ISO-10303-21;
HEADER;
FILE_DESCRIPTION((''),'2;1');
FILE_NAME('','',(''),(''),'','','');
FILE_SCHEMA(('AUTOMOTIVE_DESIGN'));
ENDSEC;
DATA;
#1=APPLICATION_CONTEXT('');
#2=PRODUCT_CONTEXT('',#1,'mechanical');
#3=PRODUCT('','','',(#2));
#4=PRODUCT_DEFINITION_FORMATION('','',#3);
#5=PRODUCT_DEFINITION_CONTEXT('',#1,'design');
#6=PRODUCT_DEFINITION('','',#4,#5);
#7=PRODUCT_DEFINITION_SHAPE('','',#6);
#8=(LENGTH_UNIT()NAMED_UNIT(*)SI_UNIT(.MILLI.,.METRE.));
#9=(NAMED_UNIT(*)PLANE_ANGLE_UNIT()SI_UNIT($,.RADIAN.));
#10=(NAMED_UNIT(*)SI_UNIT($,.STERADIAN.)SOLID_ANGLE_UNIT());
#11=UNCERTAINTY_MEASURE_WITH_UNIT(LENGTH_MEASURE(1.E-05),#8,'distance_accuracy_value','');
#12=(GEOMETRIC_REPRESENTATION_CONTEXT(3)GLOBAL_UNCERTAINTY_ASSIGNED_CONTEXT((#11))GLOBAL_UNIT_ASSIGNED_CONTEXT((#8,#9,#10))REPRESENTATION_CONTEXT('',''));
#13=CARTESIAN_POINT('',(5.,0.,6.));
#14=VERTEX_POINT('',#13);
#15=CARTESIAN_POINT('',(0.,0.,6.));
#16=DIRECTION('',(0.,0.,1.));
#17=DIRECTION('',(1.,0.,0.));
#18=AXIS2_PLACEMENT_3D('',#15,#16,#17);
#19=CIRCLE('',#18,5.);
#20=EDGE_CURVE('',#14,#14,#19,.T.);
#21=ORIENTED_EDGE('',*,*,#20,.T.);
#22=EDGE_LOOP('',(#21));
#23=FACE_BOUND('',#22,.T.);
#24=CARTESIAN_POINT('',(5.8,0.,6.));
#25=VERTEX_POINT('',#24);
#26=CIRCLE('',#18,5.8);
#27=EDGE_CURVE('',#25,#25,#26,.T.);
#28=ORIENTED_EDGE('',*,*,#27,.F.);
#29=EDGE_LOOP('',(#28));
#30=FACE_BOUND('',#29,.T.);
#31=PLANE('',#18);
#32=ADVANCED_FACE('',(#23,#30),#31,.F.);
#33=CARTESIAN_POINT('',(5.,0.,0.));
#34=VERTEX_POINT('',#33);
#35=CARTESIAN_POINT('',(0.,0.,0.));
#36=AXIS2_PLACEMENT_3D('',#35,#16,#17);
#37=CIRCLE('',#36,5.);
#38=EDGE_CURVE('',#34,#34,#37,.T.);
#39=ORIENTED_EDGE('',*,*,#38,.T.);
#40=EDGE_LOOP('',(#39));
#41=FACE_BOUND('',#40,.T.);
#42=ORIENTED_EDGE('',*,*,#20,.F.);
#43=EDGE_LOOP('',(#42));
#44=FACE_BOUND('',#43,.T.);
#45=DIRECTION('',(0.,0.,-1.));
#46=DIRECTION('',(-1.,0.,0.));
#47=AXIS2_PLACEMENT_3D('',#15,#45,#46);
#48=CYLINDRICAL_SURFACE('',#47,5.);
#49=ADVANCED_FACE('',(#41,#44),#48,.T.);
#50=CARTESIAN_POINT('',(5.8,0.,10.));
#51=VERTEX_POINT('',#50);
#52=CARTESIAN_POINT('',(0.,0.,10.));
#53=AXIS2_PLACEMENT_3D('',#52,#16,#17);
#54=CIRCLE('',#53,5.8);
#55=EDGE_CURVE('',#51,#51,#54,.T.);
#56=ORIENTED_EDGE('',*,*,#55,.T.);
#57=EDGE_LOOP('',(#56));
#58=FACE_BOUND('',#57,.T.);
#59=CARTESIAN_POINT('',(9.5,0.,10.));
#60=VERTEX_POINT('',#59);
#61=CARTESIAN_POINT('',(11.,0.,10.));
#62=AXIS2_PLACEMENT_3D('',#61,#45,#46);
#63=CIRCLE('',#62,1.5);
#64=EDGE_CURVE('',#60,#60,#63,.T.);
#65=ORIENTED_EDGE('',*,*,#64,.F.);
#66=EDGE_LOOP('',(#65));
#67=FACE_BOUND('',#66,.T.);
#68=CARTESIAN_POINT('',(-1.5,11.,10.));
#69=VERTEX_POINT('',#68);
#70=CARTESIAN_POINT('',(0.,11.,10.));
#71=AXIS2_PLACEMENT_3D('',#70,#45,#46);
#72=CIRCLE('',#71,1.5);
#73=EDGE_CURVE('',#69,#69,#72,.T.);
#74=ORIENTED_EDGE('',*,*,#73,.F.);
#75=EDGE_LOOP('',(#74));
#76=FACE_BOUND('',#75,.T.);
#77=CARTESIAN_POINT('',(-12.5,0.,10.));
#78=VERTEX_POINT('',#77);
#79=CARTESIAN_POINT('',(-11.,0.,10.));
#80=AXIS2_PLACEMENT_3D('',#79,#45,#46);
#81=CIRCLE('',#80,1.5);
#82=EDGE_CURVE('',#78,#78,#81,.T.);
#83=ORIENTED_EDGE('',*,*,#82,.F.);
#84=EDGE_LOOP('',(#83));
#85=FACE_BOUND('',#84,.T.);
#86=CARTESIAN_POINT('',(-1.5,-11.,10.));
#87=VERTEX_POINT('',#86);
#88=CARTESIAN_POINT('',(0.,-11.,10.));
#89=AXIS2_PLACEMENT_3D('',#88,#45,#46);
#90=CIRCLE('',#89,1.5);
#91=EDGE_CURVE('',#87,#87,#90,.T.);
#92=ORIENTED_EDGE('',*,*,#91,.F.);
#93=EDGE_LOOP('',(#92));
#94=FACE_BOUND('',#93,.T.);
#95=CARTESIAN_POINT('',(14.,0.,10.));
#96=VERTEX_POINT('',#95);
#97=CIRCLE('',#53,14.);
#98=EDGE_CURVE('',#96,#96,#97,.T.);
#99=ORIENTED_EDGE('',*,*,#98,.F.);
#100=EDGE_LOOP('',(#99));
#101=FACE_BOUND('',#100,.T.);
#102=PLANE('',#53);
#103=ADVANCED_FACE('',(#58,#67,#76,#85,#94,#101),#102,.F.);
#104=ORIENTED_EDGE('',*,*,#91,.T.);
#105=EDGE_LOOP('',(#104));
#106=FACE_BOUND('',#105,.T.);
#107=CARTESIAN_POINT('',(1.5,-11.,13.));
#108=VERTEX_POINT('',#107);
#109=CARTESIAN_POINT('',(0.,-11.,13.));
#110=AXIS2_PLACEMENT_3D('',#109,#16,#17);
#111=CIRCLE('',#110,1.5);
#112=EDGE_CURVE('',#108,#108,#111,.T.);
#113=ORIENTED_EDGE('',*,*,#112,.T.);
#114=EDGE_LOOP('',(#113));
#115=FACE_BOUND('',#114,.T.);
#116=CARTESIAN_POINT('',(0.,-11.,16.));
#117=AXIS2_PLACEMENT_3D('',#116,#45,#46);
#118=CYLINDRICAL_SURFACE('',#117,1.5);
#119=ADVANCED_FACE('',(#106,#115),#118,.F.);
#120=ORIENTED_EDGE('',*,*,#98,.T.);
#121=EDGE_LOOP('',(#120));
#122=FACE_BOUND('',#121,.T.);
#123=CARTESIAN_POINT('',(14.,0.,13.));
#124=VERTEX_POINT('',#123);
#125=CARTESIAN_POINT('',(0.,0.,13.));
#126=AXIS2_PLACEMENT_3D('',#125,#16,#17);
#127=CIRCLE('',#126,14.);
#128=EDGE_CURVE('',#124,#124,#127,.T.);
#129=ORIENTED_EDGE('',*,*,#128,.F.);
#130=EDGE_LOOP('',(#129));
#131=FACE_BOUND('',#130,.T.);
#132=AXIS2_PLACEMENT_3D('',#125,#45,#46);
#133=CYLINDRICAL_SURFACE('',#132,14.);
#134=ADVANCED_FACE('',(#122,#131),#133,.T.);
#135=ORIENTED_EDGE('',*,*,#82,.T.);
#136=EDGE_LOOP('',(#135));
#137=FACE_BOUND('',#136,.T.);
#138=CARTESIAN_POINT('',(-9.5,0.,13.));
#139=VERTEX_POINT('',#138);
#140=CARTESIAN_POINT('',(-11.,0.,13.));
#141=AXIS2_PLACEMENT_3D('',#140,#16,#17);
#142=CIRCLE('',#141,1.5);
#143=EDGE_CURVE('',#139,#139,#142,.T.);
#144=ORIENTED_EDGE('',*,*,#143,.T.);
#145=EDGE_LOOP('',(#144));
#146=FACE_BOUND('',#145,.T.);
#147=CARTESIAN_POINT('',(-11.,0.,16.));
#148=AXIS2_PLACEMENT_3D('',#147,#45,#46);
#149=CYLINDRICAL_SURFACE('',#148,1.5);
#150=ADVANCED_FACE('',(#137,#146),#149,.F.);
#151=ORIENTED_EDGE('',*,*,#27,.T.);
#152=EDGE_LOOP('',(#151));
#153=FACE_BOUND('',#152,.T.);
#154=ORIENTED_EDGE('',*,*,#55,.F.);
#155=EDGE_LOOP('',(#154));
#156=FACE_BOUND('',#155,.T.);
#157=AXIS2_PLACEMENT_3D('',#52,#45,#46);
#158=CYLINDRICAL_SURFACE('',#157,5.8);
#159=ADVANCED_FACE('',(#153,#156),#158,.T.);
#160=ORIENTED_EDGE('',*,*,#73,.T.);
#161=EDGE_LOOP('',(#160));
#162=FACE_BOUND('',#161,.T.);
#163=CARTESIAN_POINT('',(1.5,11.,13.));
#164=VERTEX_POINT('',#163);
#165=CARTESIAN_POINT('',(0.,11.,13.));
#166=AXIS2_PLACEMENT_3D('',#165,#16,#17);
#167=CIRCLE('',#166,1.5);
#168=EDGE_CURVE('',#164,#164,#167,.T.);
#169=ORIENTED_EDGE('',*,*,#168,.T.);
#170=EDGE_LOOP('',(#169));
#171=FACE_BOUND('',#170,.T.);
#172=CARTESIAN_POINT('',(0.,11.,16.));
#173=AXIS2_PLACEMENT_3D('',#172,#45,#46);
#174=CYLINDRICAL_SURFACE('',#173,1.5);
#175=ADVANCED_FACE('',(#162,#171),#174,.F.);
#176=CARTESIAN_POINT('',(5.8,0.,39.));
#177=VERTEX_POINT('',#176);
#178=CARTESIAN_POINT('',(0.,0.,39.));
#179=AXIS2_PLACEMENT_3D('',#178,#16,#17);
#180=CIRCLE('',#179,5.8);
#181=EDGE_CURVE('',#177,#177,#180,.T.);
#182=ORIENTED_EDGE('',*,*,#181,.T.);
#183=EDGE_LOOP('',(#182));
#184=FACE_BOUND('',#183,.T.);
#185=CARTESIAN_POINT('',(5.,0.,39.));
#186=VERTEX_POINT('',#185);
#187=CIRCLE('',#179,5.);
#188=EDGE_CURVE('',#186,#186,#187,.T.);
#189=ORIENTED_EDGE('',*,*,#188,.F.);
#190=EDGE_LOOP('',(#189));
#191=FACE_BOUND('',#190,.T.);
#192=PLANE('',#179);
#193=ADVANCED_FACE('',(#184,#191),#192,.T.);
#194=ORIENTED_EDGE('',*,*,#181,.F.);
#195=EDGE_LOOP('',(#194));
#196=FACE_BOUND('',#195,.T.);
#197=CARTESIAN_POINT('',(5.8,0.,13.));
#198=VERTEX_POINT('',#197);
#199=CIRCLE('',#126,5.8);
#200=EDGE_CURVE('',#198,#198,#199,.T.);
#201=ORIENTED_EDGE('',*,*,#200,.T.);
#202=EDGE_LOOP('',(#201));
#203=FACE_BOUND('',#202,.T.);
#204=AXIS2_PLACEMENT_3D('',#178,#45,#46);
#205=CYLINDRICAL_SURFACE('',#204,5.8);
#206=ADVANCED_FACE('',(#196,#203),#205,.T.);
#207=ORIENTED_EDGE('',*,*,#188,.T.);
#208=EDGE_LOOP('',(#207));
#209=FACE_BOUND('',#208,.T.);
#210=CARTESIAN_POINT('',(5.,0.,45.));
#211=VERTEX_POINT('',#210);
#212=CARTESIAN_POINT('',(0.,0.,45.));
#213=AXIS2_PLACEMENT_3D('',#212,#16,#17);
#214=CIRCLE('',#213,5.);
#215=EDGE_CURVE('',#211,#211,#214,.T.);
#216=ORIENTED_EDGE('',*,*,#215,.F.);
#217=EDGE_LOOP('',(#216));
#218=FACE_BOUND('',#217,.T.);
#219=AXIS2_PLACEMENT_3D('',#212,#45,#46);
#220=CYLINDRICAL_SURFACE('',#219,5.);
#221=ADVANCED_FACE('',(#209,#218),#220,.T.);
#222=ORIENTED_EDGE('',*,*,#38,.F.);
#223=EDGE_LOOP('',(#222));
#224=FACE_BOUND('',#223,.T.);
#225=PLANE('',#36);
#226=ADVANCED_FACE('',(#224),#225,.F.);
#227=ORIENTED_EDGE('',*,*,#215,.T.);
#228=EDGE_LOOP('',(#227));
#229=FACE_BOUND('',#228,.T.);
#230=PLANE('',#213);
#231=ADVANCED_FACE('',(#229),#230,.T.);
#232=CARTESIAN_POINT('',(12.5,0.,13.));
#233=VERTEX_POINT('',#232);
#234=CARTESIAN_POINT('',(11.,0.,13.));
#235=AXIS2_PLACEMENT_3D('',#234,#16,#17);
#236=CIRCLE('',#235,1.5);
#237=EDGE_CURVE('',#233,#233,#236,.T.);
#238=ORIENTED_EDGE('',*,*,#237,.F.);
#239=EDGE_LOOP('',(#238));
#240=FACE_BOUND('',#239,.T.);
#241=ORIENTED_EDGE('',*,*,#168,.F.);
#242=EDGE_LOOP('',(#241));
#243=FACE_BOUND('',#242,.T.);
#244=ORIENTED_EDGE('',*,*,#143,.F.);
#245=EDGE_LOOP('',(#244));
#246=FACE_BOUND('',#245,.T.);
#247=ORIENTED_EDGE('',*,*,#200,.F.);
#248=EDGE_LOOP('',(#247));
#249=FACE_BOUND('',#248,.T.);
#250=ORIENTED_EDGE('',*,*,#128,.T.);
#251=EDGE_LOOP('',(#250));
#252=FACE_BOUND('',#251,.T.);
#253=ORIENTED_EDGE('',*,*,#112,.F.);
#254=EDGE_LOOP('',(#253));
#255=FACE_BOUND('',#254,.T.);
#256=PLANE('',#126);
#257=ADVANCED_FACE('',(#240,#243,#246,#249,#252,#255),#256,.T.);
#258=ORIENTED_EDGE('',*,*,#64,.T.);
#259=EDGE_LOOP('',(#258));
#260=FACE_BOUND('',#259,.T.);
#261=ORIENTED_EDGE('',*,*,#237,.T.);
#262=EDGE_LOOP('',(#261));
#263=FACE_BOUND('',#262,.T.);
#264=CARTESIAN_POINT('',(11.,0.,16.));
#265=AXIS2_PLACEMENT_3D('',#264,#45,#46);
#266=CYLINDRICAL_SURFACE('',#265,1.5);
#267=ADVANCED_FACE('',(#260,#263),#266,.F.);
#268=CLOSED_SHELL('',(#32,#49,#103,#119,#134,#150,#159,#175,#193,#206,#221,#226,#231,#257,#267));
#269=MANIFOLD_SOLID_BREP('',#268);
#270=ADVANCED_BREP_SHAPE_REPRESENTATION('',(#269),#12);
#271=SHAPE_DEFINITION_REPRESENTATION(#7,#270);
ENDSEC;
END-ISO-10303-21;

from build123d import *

# Parameters (mm, degrees)
CROQUIS1_R              = 5
SALIENTE_EXTRUIR1_DEPTH = 6
CROQUIS2_R              = 5.8
SALIENTE_EXTRUIR2_DEPTH = 4
CROQUIS3_R              = 14
SALIENTE_EXTRUIR3_DEPTH = 3
CROQUIS4_R              = 5.8
SALIENTE_EXTRUIR4_DEPTH = 26
CROQUIS5_R              = 5
SALIENTE_EXTRUIR5_DEPTH = 6
CROQUIS6_R              = 1.5
CORTAR_EXTRUIR1_DEPTH   = 6


with BuildPart() as part:
    # Croquis1 → Saliente-Extruir1 (new body)
    with BuildSketch(Plane.XY):
        Circle(CROQUIS1_R)
    extrude(amount=SALIENTE_EXTRUIR1_DEPTH)

    # Croquis2 → Saliente-Extruir2 (add)
    with BuildSketch(Plane.XY.offset(6)):
        Circle(CROQUIS2_R)
    extrude(amount=SALIENTE_EXTRUIR2_DEPTH)

    # Croquis3 → Saliente-Extruir3 (add)
    with BuildSketch(Plane.XY.offset(10)):
        Circle(CROQUIS3_R)
    extrude(amount=SALIENTE_EXTRUIR3_DEPTH)

    # Croquis4 → Saliente-Extruir4 (add)
    with BuildSketch(Plane.XY.offset(13)):
        Circle(CROQUIS4_R)
    extrude(amount=SALIENTE_EXTRUIR4_DEPTH)

    # Croquis5 → Saliente-Extruir5 (add)
    with BuildSketch(Plane.XY.offset(39)):
        Circle(CROQUIS5_R)
    extrude(amount=SALIENTE_EXTRUIR5_DEPTH)

    # Croquis6 → Cortar-Extruir1 (cut)
    with BuildSketch(Plane(origin=(0, 0, 10), x_dir=(-1, 0, 0), z_dir=(0, 0, -1))):
        with Locations((11, 0)):
            Circle(CROQUIS6_R)
        with Locations((0, -11)):
            Circle(CROQUIS6_R)
        with Locations((-11, 0)):
            Circle(CROQUIS6_R)
        with Locations((0, 11)):
            Circle(CROQUIS6_R)
    extrude(amount=-CORTAR_EXTRUIR1_DEPTH, mode=Mode.SUBTRACT)


solid = part.part
